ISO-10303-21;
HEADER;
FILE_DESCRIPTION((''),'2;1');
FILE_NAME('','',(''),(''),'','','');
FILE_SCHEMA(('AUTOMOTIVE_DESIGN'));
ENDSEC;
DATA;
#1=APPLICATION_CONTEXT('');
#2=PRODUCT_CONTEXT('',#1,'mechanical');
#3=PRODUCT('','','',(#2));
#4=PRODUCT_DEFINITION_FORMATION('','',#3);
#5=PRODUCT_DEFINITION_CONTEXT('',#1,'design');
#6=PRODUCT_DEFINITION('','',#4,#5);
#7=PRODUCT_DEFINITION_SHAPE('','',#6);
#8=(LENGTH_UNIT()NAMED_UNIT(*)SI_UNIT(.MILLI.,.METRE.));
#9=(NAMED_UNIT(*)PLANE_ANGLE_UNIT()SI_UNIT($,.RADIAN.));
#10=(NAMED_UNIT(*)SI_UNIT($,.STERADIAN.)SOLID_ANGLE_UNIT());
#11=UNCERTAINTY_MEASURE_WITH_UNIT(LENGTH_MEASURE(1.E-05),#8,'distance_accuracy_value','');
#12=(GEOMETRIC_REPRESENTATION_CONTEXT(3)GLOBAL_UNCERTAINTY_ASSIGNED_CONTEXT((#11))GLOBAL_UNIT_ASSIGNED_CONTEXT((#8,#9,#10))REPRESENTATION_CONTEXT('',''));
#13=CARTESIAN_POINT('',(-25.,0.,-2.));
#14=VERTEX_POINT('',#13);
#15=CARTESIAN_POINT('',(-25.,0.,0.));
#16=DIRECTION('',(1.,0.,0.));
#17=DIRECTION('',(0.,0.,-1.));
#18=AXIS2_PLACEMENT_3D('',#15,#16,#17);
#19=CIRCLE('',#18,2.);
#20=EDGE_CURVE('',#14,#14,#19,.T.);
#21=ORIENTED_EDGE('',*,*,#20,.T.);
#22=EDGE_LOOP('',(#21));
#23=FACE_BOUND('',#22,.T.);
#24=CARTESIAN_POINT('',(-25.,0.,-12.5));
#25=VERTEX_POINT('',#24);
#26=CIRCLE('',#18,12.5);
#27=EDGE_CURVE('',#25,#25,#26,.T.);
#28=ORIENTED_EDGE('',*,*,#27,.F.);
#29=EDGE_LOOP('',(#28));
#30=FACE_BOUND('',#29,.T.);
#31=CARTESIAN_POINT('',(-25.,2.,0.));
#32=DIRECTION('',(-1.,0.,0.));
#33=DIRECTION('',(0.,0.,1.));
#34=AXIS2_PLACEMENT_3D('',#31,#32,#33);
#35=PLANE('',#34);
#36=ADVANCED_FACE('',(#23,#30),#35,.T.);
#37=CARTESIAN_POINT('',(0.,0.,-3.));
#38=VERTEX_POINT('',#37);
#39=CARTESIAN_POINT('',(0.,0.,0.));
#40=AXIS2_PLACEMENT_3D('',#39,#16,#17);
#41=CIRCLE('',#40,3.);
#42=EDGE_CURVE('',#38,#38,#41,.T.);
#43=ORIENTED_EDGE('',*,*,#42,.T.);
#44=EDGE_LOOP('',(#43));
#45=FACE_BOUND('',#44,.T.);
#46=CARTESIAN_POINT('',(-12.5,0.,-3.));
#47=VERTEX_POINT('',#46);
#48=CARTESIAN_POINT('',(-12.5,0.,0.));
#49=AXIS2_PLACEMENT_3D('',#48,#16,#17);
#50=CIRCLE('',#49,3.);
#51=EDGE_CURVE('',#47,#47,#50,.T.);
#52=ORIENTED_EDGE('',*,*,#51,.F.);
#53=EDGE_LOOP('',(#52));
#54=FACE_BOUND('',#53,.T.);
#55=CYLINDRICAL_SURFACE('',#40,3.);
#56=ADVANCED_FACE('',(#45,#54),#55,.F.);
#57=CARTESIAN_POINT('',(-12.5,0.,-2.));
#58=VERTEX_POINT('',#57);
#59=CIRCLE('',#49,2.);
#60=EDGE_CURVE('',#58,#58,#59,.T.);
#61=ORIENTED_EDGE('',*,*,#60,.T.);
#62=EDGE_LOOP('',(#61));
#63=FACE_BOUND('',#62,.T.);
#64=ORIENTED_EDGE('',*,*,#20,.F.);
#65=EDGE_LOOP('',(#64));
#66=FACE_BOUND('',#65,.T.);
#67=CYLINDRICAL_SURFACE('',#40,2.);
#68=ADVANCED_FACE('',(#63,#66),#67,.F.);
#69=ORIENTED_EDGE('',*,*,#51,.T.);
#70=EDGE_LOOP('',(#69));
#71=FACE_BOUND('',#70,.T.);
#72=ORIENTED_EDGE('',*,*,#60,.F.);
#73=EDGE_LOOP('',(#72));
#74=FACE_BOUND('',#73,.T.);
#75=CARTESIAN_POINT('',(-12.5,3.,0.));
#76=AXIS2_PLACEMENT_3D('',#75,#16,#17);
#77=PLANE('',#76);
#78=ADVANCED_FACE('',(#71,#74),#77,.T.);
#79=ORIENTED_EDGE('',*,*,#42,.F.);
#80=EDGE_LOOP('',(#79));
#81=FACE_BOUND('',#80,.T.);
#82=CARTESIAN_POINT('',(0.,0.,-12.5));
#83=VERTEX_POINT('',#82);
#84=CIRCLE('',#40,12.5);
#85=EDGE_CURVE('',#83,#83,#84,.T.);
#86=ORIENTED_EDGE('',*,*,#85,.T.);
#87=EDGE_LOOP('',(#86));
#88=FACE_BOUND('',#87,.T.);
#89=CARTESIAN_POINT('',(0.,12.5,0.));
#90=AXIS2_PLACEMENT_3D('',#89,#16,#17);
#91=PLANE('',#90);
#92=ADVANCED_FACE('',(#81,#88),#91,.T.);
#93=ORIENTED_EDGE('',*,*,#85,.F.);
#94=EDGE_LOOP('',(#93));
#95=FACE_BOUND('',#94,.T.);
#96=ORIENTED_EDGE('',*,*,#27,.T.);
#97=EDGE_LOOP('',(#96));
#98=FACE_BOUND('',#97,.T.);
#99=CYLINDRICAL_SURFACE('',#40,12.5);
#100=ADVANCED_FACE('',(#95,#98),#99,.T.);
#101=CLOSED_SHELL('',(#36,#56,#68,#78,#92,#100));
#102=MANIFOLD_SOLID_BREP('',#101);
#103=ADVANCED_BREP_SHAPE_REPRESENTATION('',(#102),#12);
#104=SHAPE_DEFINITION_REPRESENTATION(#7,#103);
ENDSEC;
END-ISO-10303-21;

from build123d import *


with BuildPart() as part:
    # Sketch1 → Revolve1 (revolve)
    with BuildSketch(Plane.XY, mode=Mode.PRIVATE) as revolve1_sk:
        Polygon((-25, 2), (-25, 12.5), (0, 12.5), (0, 3), (-12.5, 3), (-12.5, 2), align=None)
    revolve(revolve1_sk.sketch.rotate(Axis((0, 0, 0), (-1, 0, 0)), 90), axis=Axis((0, 0, 0), (-1, 0, 0)))


solid = part.part
